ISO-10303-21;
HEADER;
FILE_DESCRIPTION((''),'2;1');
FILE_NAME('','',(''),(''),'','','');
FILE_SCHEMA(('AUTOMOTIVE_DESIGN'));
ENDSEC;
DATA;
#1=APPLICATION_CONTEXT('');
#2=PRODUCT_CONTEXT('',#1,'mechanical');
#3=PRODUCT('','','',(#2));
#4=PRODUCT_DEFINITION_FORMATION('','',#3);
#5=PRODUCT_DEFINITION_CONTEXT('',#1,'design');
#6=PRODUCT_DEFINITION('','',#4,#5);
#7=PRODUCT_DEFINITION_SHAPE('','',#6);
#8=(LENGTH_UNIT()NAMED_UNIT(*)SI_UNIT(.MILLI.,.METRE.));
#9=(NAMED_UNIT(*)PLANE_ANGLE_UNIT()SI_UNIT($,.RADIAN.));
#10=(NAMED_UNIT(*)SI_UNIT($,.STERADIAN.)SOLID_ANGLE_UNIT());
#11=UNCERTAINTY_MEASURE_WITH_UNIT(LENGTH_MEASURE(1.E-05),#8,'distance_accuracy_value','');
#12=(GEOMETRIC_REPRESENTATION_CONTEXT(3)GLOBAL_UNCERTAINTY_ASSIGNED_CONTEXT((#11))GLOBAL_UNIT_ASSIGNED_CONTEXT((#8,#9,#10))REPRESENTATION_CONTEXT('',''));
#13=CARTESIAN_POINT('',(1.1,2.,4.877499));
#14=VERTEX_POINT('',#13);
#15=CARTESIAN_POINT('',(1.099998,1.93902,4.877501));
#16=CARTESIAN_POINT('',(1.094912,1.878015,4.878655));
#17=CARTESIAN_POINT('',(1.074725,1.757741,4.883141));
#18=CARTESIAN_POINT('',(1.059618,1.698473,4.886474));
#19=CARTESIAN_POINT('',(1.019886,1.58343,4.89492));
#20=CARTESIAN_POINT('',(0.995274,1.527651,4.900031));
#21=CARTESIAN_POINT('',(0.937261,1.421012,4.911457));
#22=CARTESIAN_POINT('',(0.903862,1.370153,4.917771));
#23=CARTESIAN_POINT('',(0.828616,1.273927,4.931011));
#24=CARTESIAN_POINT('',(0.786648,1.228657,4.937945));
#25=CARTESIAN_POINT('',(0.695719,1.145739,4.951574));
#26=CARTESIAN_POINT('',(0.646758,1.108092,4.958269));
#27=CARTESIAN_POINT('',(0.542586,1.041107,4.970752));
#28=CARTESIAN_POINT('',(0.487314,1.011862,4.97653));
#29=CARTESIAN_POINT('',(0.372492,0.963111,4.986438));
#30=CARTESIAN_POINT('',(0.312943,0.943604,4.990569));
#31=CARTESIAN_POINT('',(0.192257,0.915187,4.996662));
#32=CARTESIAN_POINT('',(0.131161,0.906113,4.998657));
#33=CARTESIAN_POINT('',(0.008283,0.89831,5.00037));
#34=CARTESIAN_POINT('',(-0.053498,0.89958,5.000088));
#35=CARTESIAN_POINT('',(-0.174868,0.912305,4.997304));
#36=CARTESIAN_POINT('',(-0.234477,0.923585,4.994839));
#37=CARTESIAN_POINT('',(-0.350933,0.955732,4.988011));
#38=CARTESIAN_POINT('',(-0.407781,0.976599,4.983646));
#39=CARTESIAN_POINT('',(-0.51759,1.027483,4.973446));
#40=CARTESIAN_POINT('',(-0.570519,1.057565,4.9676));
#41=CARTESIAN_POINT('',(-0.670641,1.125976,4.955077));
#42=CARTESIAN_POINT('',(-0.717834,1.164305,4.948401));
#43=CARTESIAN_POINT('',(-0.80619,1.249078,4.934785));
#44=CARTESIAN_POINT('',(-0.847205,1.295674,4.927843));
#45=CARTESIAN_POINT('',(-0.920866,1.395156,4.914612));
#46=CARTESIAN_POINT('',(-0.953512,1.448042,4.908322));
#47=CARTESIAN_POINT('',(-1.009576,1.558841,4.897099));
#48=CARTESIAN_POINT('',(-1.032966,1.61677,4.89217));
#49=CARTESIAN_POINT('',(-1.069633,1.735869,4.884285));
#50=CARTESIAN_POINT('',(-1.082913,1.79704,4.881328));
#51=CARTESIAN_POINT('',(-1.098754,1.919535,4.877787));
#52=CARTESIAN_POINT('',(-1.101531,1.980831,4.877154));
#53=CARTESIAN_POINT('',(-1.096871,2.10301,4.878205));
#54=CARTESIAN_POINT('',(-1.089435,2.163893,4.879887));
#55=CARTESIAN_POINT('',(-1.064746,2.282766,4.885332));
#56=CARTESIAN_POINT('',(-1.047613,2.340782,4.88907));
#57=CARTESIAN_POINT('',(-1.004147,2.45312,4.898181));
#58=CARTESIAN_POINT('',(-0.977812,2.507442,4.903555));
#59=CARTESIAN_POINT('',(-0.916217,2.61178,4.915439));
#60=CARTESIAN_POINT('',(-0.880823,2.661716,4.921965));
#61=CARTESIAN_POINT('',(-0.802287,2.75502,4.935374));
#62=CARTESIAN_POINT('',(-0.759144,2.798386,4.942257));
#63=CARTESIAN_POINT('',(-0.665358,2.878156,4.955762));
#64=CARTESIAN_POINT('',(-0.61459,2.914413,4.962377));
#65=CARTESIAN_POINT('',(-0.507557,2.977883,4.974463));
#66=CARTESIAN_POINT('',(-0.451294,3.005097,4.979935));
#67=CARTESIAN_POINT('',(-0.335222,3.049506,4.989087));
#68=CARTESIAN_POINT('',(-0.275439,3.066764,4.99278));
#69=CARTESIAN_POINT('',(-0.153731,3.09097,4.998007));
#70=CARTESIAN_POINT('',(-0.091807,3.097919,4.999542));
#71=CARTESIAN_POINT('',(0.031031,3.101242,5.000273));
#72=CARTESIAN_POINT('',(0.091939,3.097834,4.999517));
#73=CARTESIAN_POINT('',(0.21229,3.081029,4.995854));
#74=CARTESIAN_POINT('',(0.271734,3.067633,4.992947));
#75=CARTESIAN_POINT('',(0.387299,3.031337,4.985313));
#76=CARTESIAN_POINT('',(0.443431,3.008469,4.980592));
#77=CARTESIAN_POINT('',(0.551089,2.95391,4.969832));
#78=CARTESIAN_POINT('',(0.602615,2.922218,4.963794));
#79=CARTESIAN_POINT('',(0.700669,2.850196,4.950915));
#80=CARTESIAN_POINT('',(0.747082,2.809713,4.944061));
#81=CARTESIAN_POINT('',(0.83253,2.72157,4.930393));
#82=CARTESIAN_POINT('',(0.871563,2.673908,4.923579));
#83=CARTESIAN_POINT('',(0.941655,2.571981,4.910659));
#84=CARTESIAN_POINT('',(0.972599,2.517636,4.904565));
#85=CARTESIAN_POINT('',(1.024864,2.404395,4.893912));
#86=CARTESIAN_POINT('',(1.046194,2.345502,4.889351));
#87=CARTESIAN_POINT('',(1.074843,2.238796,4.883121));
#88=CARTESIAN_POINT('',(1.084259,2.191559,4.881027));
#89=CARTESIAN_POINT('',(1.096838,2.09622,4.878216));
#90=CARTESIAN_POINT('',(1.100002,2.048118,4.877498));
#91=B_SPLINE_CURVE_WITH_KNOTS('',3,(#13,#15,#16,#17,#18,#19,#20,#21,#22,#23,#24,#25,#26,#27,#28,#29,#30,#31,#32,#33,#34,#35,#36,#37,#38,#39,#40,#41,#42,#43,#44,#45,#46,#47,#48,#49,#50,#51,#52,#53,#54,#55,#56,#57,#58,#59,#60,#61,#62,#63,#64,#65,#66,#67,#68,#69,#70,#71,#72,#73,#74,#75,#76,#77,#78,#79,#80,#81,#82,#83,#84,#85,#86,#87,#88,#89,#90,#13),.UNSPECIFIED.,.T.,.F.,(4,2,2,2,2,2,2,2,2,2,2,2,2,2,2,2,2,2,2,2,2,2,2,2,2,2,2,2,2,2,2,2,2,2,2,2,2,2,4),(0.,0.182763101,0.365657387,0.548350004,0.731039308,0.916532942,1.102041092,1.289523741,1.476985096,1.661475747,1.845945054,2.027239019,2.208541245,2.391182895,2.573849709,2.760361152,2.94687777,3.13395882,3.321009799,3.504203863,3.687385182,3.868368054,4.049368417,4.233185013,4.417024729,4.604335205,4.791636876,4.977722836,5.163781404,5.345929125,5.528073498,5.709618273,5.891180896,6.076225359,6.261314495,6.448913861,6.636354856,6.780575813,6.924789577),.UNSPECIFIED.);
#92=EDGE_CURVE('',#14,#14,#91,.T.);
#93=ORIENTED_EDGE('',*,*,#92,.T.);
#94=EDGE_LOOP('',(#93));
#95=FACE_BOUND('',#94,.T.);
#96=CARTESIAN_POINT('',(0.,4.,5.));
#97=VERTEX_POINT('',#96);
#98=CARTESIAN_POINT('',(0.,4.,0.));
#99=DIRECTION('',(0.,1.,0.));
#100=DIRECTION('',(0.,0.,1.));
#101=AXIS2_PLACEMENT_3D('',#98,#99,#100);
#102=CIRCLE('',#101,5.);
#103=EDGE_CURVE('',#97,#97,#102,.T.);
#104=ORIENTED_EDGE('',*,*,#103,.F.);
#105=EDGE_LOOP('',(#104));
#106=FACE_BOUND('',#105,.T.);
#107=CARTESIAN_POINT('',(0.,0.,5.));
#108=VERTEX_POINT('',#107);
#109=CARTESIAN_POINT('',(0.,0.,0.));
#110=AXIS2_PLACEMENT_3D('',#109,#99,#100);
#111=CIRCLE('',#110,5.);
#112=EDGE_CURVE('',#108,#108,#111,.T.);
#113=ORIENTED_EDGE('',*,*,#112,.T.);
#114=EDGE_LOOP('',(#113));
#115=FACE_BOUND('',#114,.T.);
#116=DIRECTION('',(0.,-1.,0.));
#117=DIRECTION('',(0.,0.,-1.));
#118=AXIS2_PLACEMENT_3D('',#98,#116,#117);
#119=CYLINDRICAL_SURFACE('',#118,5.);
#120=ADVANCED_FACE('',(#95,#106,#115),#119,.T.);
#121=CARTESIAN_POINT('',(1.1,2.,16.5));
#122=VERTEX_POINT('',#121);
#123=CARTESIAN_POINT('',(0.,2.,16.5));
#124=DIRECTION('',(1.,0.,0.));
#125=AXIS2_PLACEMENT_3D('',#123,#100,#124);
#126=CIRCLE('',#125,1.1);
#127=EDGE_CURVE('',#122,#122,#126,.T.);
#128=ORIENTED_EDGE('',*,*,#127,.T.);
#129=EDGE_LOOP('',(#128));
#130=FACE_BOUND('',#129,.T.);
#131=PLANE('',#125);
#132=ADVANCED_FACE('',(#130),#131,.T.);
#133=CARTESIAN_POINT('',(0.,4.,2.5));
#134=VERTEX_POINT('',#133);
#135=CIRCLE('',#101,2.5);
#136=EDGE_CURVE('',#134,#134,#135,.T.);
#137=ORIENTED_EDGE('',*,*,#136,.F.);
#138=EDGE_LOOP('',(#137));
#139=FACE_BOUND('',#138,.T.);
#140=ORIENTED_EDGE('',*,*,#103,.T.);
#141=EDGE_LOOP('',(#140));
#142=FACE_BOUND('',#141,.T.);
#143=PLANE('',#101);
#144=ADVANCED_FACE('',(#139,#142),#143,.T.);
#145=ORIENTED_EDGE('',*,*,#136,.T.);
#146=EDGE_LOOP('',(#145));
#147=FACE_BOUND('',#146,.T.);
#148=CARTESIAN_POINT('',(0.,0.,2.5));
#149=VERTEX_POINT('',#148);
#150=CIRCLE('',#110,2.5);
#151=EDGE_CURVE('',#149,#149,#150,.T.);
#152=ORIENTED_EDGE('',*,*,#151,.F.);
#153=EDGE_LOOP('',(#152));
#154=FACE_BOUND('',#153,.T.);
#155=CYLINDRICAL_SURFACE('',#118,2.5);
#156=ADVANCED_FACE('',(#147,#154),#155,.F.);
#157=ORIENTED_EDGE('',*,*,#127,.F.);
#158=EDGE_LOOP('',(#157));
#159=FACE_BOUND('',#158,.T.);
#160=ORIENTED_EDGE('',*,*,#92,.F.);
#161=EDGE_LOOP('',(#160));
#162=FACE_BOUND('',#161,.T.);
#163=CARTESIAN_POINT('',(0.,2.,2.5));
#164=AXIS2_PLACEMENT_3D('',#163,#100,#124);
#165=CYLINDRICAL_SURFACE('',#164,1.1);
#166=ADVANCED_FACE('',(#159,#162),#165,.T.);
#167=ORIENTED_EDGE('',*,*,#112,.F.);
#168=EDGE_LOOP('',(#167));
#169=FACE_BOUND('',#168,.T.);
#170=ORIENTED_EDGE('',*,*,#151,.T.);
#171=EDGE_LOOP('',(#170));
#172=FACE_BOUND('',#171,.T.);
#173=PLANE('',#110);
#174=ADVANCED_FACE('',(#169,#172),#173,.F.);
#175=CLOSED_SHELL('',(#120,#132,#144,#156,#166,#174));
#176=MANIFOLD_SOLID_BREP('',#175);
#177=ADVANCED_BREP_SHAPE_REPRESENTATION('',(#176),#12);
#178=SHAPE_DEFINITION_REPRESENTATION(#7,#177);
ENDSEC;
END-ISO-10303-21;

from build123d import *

# Parameters (mm, degrees)
SKETCH1_R           = 5
SKETCH1_R_2         = 2.5
BOSS_EXTRUDE1_DEPTH = 4
SKETCH3_R           = 1.1
BOSS_EXTRUDE3_DEPTH = 14


with BuildPart() as part:
    # Sketch1 → Boss-Extrude1 (new body)
    with BuildSketch(Plane(origin=(0, 0, 0), x_dir=(1, 0, 0), z_dir=(0, 1, 0))):
        with Locations(Location((0, 0, 0), (0, 0, 270))):
            Circle(SKETCH1_R)
        with Locations(Location((0, 0, 0), (0, 0, 270))):
            Circle(SKETCH1_R_2, mode=Mode.SUBTRACT)
    extrude(amount=BOSS_EXTRUDE1_DEPTH)

    # Sketch3 → Boss-Extrude3 (add)
    with BuildSketch(Plane.XY.offset(16.5)):
        with Locations((0, 2)):
            Circle(SKETCH3_R)
    extrude(amount=-BOSS_EXTRUDE3_DEPTH)


solid = part.part
